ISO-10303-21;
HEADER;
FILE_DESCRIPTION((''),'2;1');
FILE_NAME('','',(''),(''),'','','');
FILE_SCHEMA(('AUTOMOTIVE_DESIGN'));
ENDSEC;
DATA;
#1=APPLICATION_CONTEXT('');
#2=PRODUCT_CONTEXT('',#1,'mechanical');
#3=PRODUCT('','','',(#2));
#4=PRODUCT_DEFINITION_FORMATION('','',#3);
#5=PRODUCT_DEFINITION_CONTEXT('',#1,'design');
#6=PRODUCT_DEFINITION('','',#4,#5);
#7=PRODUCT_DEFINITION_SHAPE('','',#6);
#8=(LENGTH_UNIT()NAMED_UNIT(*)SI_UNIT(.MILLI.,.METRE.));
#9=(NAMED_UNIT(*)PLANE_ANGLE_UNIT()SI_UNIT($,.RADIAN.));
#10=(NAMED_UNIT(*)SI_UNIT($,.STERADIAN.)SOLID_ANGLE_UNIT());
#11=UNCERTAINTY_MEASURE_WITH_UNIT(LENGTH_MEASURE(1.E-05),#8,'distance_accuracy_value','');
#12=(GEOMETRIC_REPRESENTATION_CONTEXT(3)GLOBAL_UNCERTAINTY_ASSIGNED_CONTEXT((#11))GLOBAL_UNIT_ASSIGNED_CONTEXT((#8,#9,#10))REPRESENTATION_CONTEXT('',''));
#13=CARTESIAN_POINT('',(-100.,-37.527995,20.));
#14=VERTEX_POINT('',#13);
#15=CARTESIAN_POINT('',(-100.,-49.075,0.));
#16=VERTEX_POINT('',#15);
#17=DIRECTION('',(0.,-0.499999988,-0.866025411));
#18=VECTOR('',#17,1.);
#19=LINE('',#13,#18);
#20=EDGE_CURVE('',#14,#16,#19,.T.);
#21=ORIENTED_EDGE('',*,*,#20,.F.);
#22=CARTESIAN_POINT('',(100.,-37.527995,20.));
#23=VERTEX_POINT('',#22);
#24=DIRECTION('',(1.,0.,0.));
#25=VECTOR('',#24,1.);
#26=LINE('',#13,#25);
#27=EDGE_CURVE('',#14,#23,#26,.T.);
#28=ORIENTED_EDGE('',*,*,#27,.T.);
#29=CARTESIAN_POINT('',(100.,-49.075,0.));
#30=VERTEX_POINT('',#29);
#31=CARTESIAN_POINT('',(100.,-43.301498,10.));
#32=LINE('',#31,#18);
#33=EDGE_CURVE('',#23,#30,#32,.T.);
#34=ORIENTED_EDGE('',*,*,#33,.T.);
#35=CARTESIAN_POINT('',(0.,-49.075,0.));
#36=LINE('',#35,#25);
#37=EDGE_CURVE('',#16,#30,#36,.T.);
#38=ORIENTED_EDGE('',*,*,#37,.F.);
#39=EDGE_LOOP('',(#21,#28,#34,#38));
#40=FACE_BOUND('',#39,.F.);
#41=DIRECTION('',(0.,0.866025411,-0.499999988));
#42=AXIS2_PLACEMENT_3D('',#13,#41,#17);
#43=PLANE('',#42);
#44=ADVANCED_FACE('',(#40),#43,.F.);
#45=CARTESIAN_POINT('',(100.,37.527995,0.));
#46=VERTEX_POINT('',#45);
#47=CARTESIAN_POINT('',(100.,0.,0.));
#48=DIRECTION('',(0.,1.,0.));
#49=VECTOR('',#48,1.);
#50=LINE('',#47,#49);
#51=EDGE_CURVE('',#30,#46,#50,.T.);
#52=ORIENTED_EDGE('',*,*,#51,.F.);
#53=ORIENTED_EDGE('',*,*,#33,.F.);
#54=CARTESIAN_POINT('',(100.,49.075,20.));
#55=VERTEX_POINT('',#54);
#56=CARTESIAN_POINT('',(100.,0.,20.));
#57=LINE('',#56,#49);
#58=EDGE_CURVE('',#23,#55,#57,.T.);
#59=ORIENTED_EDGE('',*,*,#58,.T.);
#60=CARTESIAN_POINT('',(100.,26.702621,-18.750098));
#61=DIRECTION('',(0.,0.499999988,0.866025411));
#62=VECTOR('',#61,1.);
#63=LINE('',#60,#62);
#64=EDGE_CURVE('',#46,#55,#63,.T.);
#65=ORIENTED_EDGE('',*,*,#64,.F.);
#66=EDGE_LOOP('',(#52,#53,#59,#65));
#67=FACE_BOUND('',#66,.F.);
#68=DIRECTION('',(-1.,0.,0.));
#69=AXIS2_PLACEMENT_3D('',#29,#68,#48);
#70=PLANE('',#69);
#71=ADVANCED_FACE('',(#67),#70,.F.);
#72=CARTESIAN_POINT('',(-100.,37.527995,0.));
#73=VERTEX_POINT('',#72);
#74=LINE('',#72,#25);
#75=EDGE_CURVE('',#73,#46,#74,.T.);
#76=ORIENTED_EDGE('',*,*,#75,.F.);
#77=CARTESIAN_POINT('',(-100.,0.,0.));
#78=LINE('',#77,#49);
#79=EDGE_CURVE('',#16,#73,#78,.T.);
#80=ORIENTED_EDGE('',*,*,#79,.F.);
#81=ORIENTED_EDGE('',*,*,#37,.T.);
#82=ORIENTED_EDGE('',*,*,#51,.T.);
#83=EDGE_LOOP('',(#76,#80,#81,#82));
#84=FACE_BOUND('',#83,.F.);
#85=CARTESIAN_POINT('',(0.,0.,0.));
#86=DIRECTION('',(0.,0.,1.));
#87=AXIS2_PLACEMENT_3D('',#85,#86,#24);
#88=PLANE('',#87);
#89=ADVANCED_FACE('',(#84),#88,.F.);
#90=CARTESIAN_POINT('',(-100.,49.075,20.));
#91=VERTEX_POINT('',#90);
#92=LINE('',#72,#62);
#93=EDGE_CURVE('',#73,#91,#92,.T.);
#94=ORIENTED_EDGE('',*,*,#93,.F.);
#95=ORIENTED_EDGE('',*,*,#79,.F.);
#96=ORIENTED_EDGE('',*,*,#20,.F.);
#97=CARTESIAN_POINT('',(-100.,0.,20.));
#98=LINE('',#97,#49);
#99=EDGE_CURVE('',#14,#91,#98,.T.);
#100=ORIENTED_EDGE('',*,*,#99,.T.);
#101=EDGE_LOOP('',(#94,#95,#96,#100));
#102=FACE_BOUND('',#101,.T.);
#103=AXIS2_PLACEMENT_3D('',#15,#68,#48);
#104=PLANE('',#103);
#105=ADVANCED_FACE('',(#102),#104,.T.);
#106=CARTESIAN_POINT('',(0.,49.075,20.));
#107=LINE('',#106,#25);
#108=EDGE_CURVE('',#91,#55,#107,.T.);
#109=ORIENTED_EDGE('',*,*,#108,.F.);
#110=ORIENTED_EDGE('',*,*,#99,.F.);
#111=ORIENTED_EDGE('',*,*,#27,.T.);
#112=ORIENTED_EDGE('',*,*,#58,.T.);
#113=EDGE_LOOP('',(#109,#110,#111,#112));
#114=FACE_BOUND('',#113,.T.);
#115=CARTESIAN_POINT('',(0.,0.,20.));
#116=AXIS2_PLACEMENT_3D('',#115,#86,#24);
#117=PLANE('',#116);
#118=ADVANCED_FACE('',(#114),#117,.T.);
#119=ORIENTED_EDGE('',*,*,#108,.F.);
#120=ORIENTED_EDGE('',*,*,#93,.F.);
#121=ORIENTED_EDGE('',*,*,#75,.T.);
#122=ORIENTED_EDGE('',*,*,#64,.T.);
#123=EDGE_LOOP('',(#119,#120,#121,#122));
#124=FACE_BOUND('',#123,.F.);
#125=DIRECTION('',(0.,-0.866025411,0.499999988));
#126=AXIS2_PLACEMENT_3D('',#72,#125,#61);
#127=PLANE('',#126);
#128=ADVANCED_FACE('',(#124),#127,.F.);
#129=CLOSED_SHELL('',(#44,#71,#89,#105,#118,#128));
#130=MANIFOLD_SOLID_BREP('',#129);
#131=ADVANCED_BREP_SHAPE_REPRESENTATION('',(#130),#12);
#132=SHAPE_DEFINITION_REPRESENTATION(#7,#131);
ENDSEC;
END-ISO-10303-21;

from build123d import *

# Parameters (mm, degrees)
F0_W     = 200
F0_H     = 98.15
F1_DEPTH = 20
F3_DEPTH = 200.001
F4_DEPTH = 200.001


with BuildPart() as f1:
    # F0 (on Top) → F1 (new body)
    with BuildSketch(Plane.XY):
        Rectangle(F0_W, F0_H)
    extrude(amount=F1_DEPTH)

    # F2 (on face) → F3 (cut, through all)
    with BuildSketch(Plane(origin=(-100, 0, 0), x_dir=(0, -1, 0), z_dir=(-1, 0, 0))):
        Polygon((-37.527995, 0), (-49.075, 20), (-49.075, 0), align=None)
        Polygon((37.527995, 20), (49.075, 0), (49.075, 20), align=None)
    extrude(amount=-F3_DEPTH, mode=Mode.SUBTRACT)

    # F2 (on face) → F4 (cut, through all)
    with BuildSketch(Plane(origin=(-100, 0, 0), x_dir=(0, -1, 0), z_dir=(-1, 0, 0))):
        Polygon((-37.527995, 0), (-49.075, 20), (-49.075, 0), align=None)
        Polygon((37.527995, 20), (49.075, 0), (49.075, 20), align=None)
    extrude(amount=-F4_DEPTH, mode=Mode.SUBTRACT)


solid = f1.part
